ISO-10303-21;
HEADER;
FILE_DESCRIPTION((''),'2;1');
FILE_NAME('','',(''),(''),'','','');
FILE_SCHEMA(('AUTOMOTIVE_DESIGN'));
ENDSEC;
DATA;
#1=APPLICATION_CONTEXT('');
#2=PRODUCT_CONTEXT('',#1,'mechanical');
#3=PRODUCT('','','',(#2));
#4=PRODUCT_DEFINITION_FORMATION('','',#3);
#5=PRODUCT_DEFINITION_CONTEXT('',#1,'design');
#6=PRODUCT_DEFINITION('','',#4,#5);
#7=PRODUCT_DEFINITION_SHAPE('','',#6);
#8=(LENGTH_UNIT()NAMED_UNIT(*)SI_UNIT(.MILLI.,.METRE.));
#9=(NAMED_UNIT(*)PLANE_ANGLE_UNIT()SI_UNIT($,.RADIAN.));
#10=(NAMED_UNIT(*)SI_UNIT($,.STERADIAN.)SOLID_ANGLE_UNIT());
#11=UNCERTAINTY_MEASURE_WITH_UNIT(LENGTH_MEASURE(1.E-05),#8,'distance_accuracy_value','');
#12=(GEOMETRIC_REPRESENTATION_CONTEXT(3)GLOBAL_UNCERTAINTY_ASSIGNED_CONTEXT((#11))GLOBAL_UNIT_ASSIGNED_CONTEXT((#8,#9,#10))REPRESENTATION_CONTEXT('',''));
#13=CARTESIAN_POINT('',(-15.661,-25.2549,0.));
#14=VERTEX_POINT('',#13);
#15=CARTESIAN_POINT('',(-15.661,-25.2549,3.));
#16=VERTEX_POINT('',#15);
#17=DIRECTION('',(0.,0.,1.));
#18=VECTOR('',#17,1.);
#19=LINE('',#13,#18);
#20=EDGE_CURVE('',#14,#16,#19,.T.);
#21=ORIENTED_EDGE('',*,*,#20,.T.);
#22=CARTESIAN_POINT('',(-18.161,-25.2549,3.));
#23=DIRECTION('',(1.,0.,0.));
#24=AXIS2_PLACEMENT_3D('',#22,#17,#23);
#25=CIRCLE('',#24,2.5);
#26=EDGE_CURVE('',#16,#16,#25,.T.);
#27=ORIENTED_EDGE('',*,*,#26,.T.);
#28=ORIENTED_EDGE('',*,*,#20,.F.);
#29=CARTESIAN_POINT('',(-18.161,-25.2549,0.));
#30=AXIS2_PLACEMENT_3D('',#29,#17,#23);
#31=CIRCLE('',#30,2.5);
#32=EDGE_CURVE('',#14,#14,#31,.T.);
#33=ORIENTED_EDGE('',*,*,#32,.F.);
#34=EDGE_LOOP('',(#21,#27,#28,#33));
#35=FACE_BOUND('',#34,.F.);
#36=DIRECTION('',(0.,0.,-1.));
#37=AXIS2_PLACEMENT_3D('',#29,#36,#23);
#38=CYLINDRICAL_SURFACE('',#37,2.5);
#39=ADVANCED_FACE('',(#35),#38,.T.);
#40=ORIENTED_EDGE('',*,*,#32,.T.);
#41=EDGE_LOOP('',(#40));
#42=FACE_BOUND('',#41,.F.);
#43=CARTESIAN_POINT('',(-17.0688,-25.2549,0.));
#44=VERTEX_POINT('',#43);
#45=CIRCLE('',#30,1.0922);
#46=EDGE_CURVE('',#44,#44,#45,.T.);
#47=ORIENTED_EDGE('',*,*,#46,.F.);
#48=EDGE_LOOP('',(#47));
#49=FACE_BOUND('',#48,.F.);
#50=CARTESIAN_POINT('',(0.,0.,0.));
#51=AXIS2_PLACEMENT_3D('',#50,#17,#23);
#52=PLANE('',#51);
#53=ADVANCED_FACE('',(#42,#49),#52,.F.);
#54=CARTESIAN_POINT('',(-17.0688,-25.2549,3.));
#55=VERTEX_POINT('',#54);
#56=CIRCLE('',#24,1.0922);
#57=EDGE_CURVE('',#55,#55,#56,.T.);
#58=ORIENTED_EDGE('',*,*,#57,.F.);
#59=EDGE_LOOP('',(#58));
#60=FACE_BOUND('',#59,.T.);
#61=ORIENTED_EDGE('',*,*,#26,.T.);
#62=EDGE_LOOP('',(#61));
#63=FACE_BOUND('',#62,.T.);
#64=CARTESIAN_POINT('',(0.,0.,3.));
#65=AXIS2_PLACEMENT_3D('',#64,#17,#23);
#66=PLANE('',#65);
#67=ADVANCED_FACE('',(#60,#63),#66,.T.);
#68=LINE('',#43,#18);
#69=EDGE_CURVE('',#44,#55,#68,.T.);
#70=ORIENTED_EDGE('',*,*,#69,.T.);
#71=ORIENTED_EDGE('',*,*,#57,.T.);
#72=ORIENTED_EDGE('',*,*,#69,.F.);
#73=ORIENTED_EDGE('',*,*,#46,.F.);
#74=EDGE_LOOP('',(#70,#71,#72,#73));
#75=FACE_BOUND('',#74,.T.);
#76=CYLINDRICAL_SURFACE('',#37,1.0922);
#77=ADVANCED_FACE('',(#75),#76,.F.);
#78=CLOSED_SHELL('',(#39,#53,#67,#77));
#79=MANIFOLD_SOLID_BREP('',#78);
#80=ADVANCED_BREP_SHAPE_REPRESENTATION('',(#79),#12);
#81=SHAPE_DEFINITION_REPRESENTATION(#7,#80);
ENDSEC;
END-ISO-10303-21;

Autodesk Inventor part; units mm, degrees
ref_plane "YZ Plane" through (0, 0, 0) normal (1, 0, 0) x (0, 1, 0)
ref_plane "XZ Plane" through (0, 0, 0) normal (0, 1, 0) x (-1, 0, 0)
ref_plane "XY Plane" through (0, 0, 0) normal (0, 0, 1) x (1, 0, 0)
sketch "Boceto1" plane through (0, 0, 0) normal (0, 0, 1) x (1, 0, 0)
  circle A0 centre (-18.161, -25.2549) radius 1.0922 projected
  circle A1 centre (-18.161, -25.2549) radius 2.5
  point P0 (0, 0)
  dimension "d0" = 5
extrude "Extrusión1" add sketch "Boceto1" along normal blind 3
properties part number "spacer 3mm"
